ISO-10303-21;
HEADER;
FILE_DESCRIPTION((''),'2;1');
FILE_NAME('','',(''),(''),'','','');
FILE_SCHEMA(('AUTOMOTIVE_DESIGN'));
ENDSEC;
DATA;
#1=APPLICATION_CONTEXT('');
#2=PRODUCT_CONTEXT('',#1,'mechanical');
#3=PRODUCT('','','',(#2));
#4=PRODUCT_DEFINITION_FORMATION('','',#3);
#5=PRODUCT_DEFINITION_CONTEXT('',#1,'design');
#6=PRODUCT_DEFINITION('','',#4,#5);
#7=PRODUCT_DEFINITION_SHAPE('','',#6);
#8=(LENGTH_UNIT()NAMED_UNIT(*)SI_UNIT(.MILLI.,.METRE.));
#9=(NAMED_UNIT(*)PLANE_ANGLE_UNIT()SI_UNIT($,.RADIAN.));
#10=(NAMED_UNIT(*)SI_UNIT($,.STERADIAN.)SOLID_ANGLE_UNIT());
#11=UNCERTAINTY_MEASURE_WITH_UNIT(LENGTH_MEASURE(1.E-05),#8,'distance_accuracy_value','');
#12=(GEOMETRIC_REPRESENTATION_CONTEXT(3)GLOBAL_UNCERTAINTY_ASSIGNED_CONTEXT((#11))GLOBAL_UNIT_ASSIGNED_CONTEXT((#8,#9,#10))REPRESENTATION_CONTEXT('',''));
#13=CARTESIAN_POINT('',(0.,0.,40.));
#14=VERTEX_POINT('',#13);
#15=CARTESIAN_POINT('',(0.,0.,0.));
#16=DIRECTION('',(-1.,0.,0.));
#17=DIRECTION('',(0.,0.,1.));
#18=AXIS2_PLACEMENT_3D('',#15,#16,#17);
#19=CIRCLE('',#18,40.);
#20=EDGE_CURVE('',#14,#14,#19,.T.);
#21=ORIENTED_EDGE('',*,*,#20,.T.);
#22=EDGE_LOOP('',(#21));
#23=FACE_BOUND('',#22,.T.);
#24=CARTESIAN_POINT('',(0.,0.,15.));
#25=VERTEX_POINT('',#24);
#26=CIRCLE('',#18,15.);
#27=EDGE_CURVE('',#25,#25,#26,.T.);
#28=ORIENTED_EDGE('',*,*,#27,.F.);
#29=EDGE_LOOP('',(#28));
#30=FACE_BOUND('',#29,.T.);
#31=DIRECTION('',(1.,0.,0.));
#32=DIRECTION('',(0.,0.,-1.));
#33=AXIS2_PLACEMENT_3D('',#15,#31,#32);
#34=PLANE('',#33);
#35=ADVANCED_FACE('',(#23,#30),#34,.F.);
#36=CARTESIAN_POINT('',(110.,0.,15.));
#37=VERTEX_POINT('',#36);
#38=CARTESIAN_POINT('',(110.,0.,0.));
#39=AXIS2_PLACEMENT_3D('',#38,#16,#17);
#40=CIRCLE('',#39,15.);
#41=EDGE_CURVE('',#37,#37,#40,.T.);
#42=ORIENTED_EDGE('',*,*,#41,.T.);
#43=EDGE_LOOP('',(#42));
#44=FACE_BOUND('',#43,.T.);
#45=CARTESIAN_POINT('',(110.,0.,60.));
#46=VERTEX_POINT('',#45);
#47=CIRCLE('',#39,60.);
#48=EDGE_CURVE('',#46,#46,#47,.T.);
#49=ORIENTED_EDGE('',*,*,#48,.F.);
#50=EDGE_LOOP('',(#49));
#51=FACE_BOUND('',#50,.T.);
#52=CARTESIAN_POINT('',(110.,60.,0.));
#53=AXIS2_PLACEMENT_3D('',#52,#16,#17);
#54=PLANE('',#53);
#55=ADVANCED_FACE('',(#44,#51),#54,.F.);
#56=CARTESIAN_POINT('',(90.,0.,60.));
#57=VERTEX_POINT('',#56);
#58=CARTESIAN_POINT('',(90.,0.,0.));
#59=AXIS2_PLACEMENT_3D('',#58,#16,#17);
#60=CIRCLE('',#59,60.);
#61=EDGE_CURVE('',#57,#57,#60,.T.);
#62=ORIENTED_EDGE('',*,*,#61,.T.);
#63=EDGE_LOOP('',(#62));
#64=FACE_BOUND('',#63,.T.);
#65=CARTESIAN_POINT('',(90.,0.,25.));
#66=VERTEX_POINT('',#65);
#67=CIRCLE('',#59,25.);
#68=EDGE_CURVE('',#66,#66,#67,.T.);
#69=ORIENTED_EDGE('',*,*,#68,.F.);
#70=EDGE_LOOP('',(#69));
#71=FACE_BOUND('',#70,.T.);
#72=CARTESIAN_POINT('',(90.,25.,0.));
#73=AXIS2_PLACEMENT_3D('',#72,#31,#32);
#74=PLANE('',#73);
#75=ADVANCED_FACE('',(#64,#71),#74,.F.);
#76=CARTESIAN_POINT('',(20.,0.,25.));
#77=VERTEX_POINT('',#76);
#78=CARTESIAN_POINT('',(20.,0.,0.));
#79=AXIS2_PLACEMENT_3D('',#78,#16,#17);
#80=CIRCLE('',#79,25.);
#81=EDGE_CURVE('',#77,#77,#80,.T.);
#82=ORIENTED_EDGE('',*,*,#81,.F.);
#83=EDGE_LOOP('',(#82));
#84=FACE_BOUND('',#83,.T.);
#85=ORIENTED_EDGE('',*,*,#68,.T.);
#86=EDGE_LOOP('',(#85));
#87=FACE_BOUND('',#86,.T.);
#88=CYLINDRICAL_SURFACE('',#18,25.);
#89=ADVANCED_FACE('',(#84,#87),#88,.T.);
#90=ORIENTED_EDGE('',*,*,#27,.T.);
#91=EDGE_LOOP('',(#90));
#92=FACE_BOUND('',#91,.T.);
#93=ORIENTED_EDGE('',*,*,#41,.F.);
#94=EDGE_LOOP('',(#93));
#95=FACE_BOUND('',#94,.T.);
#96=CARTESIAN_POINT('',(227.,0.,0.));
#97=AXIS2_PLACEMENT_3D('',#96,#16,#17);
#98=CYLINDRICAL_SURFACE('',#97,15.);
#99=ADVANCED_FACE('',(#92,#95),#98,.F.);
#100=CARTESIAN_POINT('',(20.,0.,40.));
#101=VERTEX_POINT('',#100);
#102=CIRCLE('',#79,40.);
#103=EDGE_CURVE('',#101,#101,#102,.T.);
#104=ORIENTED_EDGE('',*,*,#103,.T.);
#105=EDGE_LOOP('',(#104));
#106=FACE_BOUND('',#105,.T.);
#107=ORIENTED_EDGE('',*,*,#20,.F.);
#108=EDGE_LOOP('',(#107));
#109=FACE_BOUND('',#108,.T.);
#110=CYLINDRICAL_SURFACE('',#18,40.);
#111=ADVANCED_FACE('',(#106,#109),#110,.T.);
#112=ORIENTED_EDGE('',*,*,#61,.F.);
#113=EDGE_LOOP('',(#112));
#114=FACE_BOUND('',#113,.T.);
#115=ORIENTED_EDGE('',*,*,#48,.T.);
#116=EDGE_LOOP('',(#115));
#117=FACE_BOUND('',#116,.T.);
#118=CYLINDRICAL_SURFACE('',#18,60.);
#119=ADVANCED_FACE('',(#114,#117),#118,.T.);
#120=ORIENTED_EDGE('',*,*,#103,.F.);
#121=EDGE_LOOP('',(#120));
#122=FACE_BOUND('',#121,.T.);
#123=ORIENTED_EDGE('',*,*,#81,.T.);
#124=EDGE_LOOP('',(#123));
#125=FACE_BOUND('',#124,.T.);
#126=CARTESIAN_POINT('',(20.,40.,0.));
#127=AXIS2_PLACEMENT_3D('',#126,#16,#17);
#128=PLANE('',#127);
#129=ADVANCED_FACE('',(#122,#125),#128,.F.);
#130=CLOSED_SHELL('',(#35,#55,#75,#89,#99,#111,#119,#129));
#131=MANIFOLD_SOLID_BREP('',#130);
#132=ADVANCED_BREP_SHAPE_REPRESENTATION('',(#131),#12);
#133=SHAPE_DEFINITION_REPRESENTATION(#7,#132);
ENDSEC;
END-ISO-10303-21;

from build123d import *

# Parameters (mm, degrees)
SKETCH_3_R          = 15
CUT_EXTRUDE_1_DEPTH = 227


with BuildPart() as part:
    # 스케치2 → 회전1 (revolve)
    with BuildSketch(Plane.XY):
        Polygon((0, 0), (0, 40), (20, 40), (20, 25), (90, 25), (90, 60), (110, 60), (110, 0), align=None)
    revolve(axis=Axis((0, 0, 0), (1, 0, 0)))

    # 스케치3 → 컷-돌출1 (cut)
    with BuildSketch(Plane.ZY):
        Circle(SKETCH_3_R)
    extrude(amount=-CUT_EXTRUDE_1_DEPTH, mode=Mode.SUBTRACT)


solid = part.part
